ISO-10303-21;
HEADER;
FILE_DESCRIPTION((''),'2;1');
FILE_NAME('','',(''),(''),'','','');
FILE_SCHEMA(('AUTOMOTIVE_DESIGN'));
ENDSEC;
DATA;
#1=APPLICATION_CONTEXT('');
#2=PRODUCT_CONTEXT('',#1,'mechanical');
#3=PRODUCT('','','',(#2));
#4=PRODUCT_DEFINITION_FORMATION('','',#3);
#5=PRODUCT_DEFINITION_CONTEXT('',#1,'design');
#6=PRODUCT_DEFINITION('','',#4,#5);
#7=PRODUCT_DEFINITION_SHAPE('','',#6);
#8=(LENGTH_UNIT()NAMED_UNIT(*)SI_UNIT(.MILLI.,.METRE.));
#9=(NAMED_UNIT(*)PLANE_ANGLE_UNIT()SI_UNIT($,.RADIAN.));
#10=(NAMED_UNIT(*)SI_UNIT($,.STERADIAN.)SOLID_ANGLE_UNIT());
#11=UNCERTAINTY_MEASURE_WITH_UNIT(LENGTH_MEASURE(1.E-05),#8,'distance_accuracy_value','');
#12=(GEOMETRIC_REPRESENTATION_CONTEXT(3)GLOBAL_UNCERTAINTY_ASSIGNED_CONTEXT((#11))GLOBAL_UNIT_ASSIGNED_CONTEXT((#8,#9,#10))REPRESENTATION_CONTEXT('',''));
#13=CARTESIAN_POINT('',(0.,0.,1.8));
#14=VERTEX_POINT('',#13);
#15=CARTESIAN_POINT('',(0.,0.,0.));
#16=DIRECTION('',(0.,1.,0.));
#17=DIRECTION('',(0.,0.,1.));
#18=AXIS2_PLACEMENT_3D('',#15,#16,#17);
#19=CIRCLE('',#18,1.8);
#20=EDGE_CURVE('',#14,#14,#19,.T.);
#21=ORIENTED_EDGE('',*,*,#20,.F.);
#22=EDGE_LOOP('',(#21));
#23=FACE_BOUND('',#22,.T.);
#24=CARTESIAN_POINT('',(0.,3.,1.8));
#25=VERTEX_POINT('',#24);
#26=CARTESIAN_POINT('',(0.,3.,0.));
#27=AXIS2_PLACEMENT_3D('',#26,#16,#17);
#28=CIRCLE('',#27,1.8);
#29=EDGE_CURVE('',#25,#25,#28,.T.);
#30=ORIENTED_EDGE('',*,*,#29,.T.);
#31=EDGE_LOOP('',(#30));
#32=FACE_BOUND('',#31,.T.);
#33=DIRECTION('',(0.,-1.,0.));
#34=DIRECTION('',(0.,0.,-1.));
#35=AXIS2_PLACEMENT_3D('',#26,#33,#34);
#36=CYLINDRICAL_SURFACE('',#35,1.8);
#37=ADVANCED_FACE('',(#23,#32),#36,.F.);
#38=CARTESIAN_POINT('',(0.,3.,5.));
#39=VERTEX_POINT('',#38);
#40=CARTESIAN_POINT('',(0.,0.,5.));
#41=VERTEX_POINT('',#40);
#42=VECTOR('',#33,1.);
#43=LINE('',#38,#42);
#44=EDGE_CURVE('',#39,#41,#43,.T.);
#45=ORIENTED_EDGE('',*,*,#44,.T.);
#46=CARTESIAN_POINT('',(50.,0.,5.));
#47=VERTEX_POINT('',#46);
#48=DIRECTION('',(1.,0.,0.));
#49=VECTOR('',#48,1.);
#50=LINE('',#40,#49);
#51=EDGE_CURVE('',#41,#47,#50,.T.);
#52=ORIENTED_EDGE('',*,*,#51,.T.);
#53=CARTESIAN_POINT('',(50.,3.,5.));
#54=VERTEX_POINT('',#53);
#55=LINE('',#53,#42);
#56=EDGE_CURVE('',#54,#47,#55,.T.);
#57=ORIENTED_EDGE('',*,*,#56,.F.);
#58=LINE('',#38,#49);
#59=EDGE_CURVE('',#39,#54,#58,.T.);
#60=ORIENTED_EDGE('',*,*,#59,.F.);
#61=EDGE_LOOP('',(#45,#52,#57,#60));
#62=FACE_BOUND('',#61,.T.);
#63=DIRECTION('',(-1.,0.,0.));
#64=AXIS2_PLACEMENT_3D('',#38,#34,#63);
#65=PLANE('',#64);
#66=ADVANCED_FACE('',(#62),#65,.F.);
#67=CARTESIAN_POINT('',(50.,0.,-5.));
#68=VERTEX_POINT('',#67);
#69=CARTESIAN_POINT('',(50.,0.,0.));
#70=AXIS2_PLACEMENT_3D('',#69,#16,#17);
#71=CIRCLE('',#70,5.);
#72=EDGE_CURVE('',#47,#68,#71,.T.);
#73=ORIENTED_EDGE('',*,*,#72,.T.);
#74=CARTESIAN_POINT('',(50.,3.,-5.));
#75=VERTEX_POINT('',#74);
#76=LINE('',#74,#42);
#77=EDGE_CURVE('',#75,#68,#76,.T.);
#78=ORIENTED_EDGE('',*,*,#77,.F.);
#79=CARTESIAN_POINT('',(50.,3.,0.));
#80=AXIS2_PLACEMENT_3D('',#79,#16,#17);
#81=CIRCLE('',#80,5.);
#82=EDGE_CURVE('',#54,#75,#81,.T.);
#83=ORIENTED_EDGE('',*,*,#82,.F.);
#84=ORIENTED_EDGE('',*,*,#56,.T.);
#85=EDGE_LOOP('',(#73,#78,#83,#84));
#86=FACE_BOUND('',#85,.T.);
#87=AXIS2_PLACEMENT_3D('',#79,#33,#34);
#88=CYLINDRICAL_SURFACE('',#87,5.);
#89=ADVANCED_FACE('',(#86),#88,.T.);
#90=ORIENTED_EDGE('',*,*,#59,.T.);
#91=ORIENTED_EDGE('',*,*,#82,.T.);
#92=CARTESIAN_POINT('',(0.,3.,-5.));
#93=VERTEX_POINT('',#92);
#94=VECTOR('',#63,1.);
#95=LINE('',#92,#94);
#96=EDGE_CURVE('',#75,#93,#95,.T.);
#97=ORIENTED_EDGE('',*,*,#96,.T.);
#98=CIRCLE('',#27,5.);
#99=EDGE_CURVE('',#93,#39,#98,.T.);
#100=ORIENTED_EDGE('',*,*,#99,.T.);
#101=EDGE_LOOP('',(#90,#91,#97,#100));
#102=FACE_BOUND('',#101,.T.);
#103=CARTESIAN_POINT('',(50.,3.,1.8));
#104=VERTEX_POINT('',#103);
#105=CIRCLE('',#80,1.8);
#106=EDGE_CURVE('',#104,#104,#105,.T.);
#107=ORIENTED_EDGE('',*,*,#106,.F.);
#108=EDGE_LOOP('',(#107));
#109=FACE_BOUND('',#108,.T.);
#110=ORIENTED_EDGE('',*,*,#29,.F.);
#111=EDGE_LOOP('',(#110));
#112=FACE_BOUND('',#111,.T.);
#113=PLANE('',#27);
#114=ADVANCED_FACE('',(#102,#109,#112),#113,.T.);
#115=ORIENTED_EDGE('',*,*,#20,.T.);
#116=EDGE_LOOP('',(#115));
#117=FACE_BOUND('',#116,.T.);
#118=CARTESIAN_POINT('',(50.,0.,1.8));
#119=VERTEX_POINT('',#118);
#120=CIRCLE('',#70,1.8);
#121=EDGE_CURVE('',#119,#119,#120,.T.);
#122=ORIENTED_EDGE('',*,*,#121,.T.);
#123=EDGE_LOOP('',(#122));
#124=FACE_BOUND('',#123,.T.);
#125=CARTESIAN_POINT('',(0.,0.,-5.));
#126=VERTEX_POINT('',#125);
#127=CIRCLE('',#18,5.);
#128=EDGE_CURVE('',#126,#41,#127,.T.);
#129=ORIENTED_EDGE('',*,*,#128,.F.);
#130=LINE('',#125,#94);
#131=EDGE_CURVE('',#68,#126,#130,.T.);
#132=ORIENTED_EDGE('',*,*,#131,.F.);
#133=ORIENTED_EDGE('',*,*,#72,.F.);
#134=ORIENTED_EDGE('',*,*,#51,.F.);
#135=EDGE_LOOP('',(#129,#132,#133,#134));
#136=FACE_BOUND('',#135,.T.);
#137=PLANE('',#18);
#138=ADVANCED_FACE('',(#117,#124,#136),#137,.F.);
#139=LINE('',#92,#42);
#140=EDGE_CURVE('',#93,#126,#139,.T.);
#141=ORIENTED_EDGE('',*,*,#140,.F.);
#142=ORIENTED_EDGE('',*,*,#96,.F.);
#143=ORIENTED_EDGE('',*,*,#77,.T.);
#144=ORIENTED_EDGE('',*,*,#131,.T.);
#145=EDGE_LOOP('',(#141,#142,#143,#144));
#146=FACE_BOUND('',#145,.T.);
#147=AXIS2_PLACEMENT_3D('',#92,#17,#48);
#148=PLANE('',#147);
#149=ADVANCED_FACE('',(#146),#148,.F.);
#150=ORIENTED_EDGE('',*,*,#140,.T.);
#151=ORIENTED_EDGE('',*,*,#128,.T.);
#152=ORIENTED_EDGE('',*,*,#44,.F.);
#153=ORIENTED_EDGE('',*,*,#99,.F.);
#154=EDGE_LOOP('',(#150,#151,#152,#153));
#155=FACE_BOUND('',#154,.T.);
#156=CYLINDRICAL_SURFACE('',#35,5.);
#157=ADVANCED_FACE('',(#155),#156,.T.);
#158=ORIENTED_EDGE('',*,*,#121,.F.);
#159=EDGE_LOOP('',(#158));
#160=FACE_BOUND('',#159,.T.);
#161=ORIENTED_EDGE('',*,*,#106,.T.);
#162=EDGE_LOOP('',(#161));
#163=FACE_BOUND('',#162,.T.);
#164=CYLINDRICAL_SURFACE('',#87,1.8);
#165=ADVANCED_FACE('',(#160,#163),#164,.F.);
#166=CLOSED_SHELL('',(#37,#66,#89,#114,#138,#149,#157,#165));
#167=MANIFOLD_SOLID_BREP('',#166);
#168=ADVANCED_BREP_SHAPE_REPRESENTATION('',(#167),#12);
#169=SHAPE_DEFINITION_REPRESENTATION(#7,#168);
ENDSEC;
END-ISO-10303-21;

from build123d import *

# Parameters (mm, degrees)
SKETCH_1_R      = 1.8
EXTRUDE_1_DEPTH = 3


with BuildPart() as part:
    # 草图1 → 凸台-拉伸1 (new body)
    with BuildSketch(Plane(origin=(0, 0, 0), x_dir=(1, 0, 0), z_dir=(0, 1, 0))):
        with BuildLine():
            Line((0, 5), (50, 5))
            ThreePointArc((50, 5), (55, 0), (50, -5))
            Line((50, -5), (0, -5))
            ThreePointArc((0, -5), (-5, 0), (0, 5))
        make_face()
        with Locations(Location((0, 0, 0), (0, 0, 270))):
            Circle(SKETCH_1_R, mode=Mode.SUBTRACT)
        with Locations(Location((50, 0, 0), (0, 0, 270))):
            Circle(SKETCH_1_R, mode=Mode.SUBTRACT)
    extrude(amount=EXTRUDE_1_DEPTH)


solid = part.part
